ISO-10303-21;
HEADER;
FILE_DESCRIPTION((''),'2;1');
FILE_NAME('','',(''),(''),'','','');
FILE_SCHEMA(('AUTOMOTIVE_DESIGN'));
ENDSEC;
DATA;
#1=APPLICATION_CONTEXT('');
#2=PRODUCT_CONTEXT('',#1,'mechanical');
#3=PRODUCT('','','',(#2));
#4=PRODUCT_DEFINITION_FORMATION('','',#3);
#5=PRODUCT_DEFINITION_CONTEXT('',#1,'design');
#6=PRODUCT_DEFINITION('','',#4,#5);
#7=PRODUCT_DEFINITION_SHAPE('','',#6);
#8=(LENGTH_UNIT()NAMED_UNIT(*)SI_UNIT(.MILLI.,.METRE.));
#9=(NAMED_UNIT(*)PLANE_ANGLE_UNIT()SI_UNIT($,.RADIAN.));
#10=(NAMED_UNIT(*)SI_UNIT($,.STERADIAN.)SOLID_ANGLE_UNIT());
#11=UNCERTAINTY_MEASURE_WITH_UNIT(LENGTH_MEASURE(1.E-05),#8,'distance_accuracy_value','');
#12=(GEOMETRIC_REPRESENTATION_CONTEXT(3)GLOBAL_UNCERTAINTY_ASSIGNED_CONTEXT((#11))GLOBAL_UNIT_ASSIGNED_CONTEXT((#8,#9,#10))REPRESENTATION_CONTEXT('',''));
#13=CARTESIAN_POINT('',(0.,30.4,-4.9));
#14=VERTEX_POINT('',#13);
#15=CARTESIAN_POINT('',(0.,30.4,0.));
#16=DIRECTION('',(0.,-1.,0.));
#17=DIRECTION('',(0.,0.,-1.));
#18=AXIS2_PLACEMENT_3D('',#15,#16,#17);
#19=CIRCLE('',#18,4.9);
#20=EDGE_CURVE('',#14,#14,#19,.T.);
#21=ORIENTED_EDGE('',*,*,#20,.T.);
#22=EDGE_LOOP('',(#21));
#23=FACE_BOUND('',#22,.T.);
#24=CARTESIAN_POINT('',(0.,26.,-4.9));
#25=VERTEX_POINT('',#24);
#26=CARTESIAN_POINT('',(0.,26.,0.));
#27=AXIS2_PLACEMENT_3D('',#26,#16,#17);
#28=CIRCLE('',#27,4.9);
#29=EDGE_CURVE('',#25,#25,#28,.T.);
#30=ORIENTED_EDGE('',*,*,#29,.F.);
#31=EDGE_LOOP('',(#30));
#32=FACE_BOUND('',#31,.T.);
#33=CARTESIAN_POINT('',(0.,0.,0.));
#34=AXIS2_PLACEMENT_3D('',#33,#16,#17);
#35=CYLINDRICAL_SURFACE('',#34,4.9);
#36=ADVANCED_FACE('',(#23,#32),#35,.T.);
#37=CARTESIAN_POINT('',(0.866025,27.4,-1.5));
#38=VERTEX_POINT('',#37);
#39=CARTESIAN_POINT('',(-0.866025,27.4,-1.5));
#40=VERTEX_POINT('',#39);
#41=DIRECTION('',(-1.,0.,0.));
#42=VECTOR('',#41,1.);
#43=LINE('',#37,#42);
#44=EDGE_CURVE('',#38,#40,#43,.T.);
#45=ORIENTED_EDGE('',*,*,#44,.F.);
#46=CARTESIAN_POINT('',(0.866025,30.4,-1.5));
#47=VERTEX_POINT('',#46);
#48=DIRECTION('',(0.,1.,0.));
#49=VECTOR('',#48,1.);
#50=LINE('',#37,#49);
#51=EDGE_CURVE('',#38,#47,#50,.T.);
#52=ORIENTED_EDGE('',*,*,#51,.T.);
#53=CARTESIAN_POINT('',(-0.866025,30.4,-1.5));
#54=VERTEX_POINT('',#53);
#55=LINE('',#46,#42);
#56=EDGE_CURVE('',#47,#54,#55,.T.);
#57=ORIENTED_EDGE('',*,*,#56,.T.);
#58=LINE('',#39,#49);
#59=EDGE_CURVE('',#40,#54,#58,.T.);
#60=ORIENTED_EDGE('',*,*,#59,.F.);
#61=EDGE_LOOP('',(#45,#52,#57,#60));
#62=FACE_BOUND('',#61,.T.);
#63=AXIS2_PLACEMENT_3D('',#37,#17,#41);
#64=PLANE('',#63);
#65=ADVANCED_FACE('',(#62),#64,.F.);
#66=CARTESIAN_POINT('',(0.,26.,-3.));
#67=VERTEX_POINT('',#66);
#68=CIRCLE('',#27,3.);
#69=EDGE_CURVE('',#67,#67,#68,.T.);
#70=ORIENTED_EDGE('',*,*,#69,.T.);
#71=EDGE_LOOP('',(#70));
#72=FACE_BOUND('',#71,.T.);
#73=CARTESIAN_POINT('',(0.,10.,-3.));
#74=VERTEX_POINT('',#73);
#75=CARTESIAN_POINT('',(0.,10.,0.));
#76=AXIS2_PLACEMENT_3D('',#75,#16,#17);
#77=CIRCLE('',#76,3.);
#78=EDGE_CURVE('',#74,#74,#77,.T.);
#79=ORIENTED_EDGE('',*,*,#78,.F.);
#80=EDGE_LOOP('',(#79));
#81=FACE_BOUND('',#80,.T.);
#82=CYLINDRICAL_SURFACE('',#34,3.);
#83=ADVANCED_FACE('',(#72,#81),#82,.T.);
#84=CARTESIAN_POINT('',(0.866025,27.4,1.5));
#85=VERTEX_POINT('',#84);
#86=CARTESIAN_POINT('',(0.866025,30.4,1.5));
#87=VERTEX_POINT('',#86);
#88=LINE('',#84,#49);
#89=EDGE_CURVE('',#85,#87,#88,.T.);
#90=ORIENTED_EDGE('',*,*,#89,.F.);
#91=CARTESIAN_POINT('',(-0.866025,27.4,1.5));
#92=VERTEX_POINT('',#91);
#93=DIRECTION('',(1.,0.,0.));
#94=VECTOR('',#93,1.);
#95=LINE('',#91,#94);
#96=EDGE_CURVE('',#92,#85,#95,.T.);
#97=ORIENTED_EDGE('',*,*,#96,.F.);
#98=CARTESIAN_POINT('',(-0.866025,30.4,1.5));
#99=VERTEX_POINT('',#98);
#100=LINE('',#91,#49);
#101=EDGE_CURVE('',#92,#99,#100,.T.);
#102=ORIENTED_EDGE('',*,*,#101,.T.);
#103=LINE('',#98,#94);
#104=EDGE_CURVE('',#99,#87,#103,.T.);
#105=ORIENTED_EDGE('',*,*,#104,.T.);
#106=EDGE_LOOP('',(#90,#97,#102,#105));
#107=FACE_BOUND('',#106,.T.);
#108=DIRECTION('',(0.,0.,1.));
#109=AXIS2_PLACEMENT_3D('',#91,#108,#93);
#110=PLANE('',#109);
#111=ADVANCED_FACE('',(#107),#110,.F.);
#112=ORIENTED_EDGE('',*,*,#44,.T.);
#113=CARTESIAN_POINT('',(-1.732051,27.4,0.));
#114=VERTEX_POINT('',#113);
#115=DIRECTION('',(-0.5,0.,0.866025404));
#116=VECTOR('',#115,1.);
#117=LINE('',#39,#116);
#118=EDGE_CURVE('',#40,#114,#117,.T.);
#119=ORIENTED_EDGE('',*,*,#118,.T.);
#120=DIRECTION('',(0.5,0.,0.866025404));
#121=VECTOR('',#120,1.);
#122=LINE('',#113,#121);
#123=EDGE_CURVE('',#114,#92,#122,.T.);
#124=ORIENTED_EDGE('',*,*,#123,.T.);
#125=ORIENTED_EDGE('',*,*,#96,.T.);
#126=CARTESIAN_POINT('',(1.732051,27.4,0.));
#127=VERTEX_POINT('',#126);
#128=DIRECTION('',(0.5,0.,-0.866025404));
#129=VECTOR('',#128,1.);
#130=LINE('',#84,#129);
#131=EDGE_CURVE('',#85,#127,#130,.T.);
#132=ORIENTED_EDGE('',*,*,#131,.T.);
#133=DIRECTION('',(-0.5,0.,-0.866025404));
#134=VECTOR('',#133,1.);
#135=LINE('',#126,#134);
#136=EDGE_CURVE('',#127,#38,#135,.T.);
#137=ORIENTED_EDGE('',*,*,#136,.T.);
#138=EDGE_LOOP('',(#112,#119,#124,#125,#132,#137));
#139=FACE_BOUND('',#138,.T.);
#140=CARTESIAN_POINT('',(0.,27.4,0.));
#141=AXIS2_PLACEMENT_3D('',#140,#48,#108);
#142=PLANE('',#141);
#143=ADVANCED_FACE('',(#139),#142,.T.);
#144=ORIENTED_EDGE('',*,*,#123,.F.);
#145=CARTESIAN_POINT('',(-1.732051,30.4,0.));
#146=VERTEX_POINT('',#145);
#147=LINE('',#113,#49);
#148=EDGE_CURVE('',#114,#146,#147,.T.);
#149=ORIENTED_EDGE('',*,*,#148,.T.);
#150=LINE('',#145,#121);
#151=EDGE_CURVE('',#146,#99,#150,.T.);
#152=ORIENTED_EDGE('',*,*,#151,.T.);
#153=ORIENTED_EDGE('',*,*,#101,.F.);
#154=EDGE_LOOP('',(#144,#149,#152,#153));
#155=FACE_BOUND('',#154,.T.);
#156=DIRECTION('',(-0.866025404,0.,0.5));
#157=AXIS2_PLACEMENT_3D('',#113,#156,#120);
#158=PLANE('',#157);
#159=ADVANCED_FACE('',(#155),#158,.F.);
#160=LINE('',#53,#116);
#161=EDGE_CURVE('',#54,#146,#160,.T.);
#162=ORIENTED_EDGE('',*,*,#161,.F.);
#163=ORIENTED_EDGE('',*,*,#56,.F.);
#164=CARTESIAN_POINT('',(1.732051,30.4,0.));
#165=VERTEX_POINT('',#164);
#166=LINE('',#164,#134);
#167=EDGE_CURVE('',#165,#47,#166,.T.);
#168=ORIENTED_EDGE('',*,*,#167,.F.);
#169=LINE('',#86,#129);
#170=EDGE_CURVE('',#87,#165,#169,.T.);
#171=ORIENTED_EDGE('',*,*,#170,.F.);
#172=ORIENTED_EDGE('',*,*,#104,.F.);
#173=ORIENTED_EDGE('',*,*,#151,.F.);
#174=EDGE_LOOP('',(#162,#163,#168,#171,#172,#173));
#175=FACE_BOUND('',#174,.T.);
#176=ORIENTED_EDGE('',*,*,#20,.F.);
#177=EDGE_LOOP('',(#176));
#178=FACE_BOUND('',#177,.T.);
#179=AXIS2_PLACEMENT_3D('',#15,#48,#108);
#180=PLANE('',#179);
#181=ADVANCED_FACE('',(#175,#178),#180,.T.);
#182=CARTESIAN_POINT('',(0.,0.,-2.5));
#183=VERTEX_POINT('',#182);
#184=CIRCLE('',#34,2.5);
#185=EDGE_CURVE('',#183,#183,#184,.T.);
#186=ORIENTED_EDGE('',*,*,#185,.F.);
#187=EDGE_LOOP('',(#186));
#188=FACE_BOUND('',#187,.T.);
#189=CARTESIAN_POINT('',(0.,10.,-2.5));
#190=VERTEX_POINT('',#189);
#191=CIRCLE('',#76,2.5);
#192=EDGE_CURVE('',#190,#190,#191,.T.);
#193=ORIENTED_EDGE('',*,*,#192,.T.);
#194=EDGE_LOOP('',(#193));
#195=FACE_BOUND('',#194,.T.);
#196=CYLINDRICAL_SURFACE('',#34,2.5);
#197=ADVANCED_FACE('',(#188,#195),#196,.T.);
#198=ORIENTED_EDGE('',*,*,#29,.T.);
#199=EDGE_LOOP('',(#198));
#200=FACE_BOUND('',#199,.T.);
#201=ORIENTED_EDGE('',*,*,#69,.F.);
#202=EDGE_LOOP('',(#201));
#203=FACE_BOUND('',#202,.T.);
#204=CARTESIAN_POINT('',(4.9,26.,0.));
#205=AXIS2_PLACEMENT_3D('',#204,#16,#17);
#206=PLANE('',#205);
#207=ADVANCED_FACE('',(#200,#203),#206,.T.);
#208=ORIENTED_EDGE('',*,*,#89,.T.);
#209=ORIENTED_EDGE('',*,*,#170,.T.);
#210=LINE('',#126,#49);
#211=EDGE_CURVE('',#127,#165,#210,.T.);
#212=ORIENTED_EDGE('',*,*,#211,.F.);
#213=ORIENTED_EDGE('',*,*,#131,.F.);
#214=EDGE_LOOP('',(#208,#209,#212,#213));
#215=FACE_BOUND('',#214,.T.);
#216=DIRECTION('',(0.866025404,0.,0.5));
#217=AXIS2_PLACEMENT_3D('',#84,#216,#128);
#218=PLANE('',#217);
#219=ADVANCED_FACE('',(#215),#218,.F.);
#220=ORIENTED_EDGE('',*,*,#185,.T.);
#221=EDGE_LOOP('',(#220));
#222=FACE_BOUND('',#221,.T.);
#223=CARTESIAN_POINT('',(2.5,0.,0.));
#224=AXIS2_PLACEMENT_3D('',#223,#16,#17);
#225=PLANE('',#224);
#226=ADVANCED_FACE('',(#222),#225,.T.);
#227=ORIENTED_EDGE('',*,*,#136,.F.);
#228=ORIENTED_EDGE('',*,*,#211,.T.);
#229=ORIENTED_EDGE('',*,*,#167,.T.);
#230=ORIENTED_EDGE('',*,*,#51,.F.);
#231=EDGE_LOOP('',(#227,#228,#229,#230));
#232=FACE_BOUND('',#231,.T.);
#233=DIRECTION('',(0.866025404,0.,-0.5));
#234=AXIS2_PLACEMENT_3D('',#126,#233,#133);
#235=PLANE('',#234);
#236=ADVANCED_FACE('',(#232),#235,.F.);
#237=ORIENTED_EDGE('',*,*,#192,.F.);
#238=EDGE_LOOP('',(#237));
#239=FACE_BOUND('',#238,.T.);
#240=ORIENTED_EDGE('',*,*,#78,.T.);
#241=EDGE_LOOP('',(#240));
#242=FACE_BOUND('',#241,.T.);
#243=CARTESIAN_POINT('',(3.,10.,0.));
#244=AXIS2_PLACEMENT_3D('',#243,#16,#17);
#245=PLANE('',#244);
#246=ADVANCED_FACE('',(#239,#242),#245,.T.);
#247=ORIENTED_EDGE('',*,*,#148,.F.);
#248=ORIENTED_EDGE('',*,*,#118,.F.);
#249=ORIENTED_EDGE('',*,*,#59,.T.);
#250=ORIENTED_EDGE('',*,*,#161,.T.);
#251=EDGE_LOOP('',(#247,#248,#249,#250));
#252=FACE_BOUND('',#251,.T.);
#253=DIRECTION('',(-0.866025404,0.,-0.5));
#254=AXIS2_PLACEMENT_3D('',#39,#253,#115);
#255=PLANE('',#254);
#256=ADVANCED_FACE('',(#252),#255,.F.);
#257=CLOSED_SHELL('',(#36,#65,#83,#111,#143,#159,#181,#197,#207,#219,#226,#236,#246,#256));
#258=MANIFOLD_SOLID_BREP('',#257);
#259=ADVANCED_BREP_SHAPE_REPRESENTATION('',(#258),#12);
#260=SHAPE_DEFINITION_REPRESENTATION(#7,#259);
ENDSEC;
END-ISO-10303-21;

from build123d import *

# Parameters (mm, degrees)
CUT_EXTRUDE_1_DEPTH = 3


with BuildPart() as part:
    # 草图1 → 旋转1 (revolve)
    with BuildSketch(Plane.XY, mode=Mode.PRIVATE) as revolve_1_sk:
        Polygon((0, 0), (0, 30.4), (4.9, 30.4), (4.9, 26), (3, 26), (3, 10), (2.5, 10), (2.5, 0), align=None)
    revolve(revolve_1_sk.sketch.rotate(Axis((0, 0, 0), (0, 1, 0)), 90), axis=Axis((0, 0, 0), (0, 1, 0)))

    # 草图2 → 切除-拉伸1 (cut)
    with BuildSketch(Plane(origin=(0, 30.4, 0), x_dir=(1, 0, 0), z_dir=(0, 1, 0))):
        Polygon((1.732050808, 0), (0.866025404, 1.5), (-0.866025404, 1.5), (-1.732050808, 0), (-0.866025404, -1.5), (0.866025404, -1.5), align=None)
    extrude(amount=-CUT_EXTRUDE_1_DEPTH, mode=Mode.SUBTRACT)


solid = part.part
